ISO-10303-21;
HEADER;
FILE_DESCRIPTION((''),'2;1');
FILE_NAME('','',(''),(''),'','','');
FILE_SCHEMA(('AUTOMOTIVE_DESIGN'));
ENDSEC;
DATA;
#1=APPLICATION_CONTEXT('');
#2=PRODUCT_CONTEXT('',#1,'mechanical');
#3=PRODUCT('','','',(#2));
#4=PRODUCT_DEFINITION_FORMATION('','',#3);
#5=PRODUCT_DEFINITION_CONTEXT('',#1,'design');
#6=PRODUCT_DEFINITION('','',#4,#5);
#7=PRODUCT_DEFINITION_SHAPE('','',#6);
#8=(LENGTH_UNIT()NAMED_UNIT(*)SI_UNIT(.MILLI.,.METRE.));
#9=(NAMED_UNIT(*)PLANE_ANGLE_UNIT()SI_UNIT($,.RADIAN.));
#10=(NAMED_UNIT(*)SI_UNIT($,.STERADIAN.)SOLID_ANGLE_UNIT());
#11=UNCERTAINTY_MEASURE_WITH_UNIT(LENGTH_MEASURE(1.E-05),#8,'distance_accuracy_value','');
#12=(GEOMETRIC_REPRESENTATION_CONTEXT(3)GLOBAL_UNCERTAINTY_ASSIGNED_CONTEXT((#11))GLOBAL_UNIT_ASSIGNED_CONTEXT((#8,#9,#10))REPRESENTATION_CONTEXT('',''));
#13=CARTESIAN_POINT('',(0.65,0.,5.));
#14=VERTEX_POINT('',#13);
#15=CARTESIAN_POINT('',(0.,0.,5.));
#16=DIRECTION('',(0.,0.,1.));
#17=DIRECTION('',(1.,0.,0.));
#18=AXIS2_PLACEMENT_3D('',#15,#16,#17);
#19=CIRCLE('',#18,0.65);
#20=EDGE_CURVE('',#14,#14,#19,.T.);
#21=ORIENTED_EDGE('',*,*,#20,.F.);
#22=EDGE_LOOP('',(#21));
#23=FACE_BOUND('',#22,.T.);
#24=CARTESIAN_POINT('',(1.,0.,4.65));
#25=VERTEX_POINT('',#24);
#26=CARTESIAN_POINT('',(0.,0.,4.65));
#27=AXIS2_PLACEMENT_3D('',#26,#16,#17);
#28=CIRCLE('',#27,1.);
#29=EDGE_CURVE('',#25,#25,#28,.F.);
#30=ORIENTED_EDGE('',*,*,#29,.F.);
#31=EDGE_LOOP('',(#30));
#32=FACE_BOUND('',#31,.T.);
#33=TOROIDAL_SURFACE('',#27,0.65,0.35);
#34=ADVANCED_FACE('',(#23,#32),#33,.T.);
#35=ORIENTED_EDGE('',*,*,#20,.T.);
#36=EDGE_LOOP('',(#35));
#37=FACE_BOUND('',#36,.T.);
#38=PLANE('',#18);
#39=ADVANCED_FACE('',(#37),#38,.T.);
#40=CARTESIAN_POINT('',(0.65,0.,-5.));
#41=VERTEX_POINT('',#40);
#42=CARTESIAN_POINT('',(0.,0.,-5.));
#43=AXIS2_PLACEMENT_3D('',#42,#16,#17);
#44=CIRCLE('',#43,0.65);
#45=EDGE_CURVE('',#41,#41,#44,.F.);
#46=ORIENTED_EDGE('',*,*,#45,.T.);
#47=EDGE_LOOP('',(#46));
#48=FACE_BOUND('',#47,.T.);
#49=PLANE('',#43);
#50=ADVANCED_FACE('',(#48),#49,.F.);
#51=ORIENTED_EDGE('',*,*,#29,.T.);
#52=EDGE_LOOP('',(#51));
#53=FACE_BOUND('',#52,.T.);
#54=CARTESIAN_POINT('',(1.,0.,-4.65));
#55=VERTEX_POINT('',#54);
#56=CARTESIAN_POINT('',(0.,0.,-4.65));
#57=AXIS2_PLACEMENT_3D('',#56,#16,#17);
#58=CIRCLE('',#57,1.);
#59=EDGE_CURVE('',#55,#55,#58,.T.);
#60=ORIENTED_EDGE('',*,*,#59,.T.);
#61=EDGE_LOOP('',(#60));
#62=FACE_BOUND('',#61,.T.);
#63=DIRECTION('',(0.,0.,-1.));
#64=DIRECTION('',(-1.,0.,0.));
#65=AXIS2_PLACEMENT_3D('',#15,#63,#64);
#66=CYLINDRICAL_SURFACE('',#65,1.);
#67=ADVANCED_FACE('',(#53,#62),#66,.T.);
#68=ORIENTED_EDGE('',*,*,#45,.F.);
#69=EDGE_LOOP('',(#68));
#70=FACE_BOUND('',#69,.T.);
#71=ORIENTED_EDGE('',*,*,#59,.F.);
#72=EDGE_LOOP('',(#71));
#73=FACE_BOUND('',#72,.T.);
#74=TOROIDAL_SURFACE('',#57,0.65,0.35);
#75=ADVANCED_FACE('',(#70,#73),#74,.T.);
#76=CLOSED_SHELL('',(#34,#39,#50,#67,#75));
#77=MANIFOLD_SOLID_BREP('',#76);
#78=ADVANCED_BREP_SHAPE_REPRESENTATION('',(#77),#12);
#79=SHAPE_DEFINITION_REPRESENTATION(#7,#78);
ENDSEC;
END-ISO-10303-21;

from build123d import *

# Parameters (mm, degrees)
SKETCH1_R           = 1
BOSS_EXTRUDE1_DEPTH = 5
FILLET1_R           = 0.35


with BuildPart() as part:
    # Sketch1 → Boss-Extrude1 (new body, symmetric)
    with BuildSketch(Plane.XY):
        Circle(SKETCH1_R)
    extrude(amount=BOSS_EXTRUDE1_DEPTH, both=True)

    # Fillet1
    fillet1_edges = [part.edges().sort_by_distance(p)[0] for p in [
        (-1, 0, -5),
        (-1, 0, 5),
    ]]
    fillet(fillet1_edges, radius=FILLET1_R)


solid = part.part
